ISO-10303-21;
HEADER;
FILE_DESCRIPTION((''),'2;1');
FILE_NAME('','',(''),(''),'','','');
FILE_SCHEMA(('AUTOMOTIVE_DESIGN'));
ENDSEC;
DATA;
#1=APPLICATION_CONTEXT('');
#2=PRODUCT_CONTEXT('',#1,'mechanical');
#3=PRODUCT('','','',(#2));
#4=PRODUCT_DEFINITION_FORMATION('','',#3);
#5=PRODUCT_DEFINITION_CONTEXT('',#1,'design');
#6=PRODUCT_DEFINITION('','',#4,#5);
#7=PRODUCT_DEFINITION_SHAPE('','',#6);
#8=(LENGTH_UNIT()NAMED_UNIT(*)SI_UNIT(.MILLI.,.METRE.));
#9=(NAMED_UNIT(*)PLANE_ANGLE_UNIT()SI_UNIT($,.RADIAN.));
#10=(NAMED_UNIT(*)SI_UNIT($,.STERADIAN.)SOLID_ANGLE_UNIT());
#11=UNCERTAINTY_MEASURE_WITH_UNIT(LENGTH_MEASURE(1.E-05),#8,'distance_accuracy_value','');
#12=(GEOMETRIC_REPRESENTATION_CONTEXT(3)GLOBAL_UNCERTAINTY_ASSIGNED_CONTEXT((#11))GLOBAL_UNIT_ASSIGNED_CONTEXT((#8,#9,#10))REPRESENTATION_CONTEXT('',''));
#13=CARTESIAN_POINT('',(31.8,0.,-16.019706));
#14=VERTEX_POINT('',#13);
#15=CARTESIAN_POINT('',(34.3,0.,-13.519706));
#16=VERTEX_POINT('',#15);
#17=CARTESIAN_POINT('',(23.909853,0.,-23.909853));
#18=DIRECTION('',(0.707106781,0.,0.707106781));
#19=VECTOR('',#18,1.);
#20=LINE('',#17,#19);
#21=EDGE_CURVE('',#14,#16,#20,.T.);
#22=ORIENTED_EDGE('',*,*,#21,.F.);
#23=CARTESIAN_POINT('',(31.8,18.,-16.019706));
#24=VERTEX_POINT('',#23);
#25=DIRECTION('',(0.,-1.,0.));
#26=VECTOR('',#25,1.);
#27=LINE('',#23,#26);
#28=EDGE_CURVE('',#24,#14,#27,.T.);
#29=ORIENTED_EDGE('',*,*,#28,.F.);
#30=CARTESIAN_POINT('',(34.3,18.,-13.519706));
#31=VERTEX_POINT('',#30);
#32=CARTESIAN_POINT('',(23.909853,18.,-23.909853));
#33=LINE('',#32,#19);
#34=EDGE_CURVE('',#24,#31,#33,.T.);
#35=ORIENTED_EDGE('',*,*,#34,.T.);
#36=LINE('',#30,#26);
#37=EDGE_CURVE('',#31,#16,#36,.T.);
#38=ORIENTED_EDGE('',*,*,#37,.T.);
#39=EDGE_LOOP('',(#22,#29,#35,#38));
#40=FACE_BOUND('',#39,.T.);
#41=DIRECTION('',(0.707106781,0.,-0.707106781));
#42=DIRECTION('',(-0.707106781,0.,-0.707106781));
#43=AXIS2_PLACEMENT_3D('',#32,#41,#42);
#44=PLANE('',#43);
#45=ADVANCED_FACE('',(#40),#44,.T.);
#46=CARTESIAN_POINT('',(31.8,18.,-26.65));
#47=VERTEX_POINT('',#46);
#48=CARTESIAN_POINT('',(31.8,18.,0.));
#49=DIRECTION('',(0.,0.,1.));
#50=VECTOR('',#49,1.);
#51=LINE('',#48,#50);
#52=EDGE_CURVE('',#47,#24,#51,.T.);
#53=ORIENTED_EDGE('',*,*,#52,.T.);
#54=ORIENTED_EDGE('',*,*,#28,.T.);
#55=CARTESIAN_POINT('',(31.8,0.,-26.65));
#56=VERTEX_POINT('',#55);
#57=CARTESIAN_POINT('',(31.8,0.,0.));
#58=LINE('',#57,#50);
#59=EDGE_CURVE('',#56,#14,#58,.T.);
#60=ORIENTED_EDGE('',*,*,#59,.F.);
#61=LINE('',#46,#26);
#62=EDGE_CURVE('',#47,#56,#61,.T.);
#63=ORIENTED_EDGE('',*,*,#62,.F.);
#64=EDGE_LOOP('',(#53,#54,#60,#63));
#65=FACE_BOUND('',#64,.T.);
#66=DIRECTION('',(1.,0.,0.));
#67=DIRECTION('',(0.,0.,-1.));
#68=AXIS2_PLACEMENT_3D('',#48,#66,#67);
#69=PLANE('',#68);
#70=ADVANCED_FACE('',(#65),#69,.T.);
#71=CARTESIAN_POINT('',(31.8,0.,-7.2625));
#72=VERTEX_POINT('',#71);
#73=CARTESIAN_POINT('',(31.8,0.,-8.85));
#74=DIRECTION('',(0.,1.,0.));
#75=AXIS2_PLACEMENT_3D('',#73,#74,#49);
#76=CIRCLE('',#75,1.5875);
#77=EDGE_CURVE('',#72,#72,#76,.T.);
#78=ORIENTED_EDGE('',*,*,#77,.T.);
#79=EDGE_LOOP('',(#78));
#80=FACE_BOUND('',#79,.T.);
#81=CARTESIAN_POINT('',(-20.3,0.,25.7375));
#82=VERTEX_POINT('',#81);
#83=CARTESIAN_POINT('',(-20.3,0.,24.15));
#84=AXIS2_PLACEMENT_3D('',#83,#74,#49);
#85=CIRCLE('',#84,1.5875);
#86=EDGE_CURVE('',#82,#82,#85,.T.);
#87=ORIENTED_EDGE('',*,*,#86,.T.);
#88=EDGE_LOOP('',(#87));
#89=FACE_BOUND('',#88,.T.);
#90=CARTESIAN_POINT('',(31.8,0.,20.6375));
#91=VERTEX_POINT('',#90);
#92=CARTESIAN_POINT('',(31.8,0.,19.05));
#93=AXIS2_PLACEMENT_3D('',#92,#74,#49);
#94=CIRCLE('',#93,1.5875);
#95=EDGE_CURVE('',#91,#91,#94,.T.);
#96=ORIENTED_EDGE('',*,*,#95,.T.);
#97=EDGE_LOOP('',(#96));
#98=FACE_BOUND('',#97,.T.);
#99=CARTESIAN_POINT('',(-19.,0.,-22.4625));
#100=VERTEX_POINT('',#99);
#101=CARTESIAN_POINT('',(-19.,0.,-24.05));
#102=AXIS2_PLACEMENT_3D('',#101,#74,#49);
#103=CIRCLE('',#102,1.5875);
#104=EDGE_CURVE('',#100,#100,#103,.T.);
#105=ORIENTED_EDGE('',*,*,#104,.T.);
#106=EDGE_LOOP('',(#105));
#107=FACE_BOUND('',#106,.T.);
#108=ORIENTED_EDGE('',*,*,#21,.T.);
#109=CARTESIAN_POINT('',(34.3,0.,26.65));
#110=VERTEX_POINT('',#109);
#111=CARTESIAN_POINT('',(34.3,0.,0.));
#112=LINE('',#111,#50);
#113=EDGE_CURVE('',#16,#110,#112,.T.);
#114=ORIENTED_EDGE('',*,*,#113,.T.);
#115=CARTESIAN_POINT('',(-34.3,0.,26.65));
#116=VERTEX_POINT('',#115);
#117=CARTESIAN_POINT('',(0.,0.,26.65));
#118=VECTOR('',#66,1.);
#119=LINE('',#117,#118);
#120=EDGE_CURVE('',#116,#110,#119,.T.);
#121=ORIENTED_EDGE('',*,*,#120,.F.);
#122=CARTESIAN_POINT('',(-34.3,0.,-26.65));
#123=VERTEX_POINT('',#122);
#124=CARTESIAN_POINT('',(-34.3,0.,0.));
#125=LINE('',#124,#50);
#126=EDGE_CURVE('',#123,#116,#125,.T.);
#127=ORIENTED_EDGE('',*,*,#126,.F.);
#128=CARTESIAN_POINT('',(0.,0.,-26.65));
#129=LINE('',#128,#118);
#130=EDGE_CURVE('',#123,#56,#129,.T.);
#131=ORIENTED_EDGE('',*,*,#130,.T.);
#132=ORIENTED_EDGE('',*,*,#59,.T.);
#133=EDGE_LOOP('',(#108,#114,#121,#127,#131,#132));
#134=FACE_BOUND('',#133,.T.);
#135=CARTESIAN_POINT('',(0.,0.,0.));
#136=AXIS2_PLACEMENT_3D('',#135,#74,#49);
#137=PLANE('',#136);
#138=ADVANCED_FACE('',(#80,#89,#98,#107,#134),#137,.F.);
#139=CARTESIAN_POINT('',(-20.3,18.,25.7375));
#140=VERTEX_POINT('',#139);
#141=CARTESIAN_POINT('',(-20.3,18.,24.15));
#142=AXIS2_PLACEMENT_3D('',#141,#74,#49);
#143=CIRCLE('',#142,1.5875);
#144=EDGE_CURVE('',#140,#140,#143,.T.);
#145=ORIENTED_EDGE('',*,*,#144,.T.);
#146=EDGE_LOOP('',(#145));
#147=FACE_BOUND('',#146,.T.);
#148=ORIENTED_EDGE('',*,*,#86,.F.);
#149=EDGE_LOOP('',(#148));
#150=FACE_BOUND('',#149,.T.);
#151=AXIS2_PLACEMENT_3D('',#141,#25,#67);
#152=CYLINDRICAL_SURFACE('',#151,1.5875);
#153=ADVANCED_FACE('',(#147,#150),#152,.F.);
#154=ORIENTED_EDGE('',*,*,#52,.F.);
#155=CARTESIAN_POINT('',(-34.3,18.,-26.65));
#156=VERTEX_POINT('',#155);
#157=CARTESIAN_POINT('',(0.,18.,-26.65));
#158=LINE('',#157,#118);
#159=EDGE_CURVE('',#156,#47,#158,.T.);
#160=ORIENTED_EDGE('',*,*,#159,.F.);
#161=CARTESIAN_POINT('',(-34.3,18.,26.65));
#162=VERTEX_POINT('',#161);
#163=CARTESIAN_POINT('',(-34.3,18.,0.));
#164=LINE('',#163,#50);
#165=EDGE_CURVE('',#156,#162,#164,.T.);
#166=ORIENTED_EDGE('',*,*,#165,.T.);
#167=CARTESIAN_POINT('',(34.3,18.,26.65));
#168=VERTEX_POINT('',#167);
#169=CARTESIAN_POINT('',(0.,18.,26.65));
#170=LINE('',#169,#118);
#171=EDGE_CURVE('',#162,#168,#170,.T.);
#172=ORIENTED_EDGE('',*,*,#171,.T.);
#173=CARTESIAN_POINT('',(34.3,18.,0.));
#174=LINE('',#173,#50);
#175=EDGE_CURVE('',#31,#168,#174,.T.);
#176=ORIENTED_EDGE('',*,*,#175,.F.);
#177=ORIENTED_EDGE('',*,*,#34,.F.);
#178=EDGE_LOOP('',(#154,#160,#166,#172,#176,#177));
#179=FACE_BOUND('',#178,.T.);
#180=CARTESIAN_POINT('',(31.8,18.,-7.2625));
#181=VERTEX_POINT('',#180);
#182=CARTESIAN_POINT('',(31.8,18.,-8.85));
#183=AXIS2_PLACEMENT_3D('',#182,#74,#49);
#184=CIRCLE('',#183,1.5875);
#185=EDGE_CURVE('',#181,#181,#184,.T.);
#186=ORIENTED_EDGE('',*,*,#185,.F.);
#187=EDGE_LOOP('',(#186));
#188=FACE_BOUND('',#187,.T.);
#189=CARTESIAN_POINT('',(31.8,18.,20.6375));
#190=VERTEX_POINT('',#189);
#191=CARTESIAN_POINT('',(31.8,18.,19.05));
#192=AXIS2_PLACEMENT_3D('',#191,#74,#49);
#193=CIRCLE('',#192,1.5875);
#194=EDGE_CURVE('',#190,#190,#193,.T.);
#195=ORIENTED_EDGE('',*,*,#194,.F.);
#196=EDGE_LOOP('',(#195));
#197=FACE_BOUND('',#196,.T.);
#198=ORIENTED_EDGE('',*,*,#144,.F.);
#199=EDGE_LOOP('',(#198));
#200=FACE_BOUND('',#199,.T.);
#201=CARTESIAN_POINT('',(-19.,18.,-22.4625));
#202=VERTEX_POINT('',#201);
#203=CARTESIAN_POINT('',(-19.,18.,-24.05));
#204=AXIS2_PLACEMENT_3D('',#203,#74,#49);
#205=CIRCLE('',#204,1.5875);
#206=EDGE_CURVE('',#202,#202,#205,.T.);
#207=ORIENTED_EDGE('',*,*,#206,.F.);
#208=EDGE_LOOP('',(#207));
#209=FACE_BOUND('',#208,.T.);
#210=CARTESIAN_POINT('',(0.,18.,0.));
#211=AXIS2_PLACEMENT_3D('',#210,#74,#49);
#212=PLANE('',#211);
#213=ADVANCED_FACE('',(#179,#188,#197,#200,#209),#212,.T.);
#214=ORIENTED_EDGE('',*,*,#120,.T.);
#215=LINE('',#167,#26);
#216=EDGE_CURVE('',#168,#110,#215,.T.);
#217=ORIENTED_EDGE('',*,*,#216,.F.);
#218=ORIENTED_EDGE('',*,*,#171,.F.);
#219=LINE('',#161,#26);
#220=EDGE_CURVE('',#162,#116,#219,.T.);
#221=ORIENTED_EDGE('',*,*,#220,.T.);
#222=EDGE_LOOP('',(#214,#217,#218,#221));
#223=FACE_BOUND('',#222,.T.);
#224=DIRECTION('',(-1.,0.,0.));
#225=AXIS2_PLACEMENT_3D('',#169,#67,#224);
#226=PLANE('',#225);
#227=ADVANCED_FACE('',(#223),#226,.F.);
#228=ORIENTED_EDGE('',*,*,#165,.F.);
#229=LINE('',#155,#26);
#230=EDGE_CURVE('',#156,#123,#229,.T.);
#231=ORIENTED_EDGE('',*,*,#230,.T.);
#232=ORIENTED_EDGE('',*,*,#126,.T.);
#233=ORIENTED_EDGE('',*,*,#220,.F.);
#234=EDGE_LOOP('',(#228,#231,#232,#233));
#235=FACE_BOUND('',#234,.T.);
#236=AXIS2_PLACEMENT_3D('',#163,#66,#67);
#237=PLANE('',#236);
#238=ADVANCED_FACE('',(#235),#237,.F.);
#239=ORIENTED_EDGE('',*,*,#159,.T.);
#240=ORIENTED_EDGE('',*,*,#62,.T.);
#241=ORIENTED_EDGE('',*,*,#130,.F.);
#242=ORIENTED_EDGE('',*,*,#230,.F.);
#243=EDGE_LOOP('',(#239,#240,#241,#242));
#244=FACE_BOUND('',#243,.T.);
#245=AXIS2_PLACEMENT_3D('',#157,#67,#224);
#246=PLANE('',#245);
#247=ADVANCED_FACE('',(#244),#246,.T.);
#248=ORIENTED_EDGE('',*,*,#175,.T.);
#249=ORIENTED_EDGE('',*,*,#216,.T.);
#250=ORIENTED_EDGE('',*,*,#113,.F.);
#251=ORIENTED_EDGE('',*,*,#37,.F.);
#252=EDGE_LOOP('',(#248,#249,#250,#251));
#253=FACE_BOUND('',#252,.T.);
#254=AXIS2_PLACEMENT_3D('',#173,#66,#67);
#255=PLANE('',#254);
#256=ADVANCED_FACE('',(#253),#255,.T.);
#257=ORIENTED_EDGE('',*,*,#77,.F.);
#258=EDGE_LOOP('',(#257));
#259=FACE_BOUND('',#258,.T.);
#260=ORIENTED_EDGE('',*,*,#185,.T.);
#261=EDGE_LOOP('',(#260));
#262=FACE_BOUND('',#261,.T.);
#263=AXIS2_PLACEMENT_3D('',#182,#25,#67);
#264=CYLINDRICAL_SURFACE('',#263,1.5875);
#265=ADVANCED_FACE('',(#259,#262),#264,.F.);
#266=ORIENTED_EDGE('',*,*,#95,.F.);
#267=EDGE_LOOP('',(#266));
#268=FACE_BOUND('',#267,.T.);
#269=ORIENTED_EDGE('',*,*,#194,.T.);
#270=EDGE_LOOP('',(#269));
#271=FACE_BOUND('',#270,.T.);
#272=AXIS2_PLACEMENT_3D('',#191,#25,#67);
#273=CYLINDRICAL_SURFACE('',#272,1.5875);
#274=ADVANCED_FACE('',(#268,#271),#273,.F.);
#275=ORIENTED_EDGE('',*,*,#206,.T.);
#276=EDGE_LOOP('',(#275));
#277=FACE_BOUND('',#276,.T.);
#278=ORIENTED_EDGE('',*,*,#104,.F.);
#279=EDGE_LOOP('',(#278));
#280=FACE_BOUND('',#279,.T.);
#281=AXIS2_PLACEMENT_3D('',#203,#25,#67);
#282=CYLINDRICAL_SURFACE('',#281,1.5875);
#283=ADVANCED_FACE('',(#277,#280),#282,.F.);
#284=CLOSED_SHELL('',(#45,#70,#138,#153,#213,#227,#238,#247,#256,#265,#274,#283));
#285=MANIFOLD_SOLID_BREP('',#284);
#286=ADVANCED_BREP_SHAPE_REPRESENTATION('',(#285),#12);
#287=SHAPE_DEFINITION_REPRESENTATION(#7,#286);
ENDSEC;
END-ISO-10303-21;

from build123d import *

# Parameters (mm, degrees)
SKETCH_1_R      = 1.5875
EXTRUDE_1_DEPTH = 18


with BuildPart() as part:
    # 草图1 → 凸台-拉伸1 (new body)
    with BuildSketch(Plane(origin=(0, 0, 0), x_dir=(1, 0, 0), z_dir=(0, 1, 0))):
        Polygon((31.8, 26.65), (-34.3, 26.65), (-34.3, -26.65), (34.3, -26.65), (34.3, 13.519706399), (31.8, 16.019706399), align=None)
        with Locations(Location((-20.3, -24.15, 0), (0, 0, 270))):
            Circle(SKETCH_1_R, mode=Mode.SUBTRACT)
        with Locations(Location((31.8, -19.05, 0), (0, 0, 270))):
            Circle(SKETCH_1_R, mode=Mode.SUBTRACT)
        with Locations(Location((-19, 24.05, 0), (0, 0, 270))):
            Circle(SKETCH_1_R, mode=Mode.SUBTRACT)
        with Locations(Location((31.8, 8.85, 0), (0, 0, 270))):
            Circle(SKETCH_1_R, mode=Mode.SUBTRACT)
    extrude(amount=EXTRUDE_1_DEPTH)


solid = part.part
